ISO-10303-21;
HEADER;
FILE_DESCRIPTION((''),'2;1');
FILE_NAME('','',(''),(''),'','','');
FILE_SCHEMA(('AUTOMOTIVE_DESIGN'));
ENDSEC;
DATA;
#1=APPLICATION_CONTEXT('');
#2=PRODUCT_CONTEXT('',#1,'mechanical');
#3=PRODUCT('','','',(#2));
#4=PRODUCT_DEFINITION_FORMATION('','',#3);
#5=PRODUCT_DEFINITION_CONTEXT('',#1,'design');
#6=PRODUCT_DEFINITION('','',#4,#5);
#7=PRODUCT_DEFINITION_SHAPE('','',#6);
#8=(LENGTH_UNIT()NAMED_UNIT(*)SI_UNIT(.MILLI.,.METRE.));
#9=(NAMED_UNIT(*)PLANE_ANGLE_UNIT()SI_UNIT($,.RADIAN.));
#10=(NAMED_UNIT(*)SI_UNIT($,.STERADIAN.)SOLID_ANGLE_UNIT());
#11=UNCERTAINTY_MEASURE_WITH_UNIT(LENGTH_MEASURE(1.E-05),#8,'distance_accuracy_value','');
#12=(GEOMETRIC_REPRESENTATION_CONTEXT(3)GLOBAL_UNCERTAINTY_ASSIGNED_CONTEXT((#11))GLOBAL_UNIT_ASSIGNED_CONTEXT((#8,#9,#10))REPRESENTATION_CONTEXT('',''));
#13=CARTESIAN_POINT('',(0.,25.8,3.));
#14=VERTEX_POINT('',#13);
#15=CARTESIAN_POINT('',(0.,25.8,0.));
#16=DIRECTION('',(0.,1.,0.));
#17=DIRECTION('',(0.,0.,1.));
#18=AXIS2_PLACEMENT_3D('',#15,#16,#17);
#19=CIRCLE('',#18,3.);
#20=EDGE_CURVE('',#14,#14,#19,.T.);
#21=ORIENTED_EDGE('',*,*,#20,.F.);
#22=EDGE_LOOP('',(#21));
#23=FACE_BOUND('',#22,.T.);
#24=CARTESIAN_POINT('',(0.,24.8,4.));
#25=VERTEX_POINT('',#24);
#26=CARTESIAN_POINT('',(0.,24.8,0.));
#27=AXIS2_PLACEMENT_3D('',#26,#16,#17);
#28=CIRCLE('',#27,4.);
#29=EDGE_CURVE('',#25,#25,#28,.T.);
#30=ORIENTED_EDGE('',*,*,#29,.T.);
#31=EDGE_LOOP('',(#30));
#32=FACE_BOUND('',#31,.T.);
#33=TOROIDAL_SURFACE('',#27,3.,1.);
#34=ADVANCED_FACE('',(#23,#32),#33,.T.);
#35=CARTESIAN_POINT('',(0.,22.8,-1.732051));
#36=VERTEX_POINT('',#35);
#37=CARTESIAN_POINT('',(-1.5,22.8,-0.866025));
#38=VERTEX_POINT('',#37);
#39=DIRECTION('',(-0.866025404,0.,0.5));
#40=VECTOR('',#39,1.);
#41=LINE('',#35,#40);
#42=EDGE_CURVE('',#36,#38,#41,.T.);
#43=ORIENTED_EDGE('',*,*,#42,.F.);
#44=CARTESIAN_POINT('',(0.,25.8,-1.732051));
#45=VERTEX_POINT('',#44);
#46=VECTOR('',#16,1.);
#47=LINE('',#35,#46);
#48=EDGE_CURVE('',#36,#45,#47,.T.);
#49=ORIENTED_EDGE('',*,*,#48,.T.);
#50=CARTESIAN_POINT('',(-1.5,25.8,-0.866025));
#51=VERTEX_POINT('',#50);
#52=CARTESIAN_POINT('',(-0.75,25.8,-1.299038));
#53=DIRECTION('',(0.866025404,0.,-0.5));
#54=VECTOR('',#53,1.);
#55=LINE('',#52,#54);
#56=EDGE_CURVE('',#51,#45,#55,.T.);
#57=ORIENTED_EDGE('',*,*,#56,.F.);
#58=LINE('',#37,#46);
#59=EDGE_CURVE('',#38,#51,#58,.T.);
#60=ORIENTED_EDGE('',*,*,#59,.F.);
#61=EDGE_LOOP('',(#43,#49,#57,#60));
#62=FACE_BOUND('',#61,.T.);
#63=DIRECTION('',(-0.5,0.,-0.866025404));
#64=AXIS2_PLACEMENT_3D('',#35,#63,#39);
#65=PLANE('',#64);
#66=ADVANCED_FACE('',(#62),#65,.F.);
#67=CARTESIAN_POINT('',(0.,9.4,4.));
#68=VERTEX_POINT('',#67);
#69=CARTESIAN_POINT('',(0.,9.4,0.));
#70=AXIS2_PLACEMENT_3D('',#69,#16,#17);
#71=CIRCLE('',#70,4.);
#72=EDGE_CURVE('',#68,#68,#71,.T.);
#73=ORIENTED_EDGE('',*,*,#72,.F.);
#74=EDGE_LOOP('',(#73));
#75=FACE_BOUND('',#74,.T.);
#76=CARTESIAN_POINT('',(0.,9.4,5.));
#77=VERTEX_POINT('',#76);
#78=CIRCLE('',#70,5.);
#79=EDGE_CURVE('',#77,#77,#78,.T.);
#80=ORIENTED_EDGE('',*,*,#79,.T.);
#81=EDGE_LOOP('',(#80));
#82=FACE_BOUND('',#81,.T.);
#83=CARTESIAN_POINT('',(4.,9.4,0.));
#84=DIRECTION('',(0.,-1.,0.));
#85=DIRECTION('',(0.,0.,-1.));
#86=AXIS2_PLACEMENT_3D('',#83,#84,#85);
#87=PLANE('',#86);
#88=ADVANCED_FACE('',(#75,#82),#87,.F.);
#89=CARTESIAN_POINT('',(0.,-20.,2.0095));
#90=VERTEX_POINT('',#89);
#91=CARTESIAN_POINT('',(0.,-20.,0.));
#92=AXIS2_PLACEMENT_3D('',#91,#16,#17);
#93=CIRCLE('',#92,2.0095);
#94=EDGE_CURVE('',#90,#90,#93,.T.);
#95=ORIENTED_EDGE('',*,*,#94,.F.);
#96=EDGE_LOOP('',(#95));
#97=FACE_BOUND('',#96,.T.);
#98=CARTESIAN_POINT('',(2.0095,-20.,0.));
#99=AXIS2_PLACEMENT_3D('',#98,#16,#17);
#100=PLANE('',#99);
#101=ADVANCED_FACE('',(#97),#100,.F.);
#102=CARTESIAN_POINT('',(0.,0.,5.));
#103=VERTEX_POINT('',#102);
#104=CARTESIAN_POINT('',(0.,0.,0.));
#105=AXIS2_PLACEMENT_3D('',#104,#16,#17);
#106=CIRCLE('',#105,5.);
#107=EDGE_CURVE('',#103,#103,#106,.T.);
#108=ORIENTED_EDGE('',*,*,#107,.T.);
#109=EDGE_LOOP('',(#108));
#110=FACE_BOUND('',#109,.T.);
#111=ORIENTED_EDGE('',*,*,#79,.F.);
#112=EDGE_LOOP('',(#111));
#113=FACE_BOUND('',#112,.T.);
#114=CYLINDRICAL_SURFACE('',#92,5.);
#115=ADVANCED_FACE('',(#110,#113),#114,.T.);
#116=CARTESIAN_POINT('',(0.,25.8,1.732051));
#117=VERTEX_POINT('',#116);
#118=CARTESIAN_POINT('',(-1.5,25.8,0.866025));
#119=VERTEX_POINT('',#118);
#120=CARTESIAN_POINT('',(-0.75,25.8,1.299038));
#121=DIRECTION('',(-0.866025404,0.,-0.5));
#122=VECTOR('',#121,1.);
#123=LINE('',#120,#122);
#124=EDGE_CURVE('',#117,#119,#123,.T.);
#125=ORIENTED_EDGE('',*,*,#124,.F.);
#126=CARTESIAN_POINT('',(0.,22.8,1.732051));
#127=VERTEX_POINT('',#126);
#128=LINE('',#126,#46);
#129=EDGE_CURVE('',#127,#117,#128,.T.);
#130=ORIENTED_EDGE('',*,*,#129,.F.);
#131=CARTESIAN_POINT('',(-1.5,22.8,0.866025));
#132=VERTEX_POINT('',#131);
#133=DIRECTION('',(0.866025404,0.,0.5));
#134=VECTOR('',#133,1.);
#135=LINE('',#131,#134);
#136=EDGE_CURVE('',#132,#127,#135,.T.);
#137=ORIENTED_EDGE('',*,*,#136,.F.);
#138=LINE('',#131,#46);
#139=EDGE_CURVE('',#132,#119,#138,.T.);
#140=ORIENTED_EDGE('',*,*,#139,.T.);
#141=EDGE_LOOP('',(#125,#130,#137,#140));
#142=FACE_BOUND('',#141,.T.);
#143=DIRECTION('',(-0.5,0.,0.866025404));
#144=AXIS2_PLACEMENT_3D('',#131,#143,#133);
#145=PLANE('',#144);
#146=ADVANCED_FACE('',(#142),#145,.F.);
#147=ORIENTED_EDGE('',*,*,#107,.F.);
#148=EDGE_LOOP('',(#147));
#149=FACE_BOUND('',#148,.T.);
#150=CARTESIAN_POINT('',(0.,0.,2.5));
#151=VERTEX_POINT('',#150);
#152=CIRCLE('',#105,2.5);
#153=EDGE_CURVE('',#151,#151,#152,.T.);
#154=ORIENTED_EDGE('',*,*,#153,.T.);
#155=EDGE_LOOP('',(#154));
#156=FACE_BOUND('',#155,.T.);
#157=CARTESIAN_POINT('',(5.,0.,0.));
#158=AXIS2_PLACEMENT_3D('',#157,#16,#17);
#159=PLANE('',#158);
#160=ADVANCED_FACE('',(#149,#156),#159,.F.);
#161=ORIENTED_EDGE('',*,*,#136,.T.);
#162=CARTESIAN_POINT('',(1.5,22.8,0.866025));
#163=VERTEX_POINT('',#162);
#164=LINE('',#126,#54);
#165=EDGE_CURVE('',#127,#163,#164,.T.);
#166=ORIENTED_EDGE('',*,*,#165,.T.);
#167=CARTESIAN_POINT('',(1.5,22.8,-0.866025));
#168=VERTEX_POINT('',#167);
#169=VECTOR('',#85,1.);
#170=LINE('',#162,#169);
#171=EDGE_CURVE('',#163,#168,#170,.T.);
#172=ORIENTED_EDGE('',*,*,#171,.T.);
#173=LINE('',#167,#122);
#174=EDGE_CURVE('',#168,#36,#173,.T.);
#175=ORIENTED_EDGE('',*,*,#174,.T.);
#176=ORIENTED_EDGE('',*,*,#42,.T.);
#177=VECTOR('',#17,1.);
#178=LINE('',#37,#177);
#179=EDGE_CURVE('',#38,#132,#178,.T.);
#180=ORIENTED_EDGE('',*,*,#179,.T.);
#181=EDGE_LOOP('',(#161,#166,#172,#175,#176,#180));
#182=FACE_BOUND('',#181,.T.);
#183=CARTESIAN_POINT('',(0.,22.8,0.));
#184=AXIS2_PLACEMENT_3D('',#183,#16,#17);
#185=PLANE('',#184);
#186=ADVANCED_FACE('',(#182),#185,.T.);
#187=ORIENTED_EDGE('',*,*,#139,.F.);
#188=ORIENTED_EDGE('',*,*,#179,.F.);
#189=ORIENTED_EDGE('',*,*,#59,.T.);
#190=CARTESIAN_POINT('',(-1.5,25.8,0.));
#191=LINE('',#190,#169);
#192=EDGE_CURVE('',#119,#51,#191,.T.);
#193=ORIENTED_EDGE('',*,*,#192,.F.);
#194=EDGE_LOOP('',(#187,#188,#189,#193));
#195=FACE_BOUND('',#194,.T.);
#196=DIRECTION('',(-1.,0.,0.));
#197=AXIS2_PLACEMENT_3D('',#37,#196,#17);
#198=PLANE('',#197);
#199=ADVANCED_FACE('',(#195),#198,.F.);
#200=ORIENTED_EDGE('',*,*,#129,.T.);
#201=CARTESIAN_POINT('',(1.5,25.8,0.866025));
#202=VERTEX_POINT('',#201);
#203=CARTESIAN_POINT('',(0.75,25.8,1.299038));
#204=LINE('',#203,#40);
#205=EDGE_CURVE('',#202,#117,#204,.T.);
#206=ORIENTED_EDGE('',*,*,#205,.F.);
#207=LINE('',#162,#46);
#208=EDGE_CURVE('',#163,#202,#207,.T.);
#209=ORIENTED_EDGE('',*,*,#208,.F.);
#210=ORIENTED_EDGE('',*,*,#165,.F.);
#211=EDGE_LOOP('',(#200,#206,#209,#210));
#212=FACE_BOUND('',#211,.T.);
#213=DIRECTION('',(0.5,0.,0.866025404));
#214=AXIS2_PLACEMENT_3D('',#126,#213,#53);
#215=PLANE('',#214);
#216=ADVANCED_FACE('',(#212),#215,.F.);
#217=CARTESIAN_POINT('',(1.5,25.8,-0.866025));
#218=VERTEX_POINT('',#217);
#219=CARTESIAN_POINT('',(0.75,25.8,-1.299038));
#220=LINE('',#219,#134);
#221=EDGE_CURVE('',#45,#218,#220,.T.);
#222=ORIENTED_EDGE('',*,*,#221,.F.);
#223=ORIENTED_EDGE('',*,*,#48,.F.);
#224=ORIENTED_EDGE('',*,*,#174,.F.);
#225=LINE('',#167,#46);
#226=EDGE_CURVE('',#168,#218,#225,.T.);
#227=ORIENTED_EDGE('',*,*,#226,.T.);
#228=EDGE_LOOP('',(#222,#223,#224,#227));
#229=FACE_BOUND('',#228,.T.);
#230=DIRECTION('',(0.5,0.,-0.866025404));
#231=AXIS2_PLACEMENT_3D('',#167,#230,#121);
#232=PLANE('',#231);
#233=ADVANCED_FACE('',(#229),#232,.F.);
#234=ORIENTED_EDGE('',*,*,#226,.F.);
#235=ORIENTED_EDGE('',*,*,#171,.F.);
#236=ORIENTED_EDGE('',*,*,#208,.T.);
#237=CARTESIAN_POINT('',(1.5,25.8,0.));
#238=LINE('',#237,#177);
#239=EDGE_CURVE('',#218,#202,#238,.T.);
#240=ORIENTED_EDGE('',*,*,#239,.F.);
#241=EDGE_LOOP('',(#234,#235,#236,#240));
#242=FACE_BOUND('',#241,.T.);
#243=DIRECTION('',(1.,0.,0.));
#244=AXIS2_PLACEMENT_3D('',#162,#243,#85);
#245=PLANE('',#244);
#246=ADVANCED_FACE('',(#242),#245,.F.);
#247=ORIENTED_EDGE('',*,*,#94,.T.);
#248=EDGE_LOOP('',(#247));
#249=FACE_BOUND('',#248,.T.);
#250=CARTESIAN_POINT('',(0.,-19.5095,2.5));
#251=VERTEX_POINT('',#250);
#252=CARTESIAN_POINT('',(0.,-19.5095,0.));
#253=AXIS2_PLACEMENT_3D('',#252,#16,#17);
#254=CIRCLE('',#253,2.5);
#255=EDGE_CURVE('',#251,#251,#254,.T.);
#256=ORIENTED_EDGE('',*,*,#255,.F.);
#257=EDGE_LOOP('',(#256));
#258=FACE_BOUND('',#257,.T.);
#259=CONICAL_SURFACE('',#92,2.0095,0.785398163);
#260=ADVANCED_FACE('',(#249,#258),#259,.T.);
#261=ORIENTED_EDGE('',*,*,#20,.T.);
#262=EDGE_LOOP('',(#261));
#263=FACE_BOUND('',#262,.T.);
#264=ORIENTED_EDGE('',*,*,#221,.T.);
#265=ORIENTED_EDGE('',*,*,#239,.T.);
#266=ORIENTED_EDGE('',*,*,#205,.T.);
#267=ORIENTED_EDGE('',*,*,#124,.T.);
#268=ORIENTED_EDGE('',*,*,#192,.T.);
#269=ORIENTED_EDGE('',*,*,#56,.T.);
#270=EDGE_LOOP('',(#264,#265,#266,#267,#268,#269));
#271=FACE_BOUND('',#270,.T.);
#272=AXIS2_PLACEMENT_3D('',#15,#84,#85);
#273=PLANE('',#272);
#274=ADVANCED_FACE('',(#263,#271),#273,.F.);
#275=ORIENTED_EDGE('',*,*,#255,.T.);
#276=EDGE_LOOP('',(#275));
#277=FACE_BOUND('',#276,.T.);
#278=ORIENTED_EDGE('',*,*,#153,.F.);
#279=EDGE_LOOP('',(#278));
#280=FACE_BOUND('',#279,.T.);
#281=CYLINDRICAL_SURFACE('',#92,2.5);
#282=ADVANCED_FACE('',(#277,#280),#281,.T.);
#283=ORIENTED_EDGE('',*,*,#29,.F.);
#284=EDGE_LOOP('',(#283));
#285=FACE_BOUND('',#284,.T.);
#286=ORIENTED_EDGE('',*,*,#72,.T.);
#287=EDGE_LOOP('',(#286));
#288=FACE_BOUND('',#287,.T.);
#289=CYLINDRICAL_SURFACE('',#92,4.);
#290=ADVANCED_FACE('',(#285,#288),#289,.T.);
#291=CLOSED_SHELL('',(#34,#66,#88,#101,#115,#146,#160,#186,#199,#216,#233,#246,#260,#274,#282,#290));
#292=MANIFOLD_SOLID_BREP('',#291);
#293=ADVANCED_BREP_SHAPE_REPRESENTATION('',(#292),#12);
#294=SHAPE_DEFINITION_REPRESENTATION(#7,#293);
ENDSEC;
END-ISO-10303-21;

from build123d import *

# Parameters (mm, degrees)
CUT_EXTRUDE_1_DEPTH      = 3
CUT_EXTRUDE_1_DEPTH_BACK = 3


with BuildPart() as part:
    # 草图1 → 旋转1 (revolve)
    with BuildSketch(Plane.XY):
        with BuildLine():
            Line((0, 25.8), (3, 25.8))
            ThreePointArc((3, 25.8), (3.707106781, 25.507106781), (4, 24.8))
            Line((4, 24.8), (4, 9.4))
            Line((4, 9.4), (5, 9.4))
            Line((5, 9.4), (5, 0))
            Line((5, 0), (2.5, 0))
            Line((2.5, 0), (2.5, -19.5095))
            Line((2.5, -19.5095), (2.0095, -20))
            Line((2.0095, -20), (0, -20))
            Line((0, -20), (0, 25.8))
        make_face()
    revolve(axis=Axis((0, -20, 0), (0, 1, 0)))

    # 草图2 → 切除-拉伸1 (cut, two sides: drawn at the far end of the back side and taken through both)
    with BuildSketch(Plane(origin=(0, 25.8, 0), x_dir=(1, 0, 0), z_dir=(0, 1, 0)).offset(-CUT_EXTRUDE_1_DEPTH_BACK)):
        Polygon((-1.5, 0.866025404), (-1.5, -0.866025404), (0, -1.732050808), (1.5, -0.866025404), (1.5, 0.866025404), (0, 1.732050808), align=None)
    extrude(amount=CUT_EXTRUDE_1_DEPTH + CUT_EXTRUDE_1_DEPTH_BACK, mode=Mode.SUBTRACT)


solid = part.part
